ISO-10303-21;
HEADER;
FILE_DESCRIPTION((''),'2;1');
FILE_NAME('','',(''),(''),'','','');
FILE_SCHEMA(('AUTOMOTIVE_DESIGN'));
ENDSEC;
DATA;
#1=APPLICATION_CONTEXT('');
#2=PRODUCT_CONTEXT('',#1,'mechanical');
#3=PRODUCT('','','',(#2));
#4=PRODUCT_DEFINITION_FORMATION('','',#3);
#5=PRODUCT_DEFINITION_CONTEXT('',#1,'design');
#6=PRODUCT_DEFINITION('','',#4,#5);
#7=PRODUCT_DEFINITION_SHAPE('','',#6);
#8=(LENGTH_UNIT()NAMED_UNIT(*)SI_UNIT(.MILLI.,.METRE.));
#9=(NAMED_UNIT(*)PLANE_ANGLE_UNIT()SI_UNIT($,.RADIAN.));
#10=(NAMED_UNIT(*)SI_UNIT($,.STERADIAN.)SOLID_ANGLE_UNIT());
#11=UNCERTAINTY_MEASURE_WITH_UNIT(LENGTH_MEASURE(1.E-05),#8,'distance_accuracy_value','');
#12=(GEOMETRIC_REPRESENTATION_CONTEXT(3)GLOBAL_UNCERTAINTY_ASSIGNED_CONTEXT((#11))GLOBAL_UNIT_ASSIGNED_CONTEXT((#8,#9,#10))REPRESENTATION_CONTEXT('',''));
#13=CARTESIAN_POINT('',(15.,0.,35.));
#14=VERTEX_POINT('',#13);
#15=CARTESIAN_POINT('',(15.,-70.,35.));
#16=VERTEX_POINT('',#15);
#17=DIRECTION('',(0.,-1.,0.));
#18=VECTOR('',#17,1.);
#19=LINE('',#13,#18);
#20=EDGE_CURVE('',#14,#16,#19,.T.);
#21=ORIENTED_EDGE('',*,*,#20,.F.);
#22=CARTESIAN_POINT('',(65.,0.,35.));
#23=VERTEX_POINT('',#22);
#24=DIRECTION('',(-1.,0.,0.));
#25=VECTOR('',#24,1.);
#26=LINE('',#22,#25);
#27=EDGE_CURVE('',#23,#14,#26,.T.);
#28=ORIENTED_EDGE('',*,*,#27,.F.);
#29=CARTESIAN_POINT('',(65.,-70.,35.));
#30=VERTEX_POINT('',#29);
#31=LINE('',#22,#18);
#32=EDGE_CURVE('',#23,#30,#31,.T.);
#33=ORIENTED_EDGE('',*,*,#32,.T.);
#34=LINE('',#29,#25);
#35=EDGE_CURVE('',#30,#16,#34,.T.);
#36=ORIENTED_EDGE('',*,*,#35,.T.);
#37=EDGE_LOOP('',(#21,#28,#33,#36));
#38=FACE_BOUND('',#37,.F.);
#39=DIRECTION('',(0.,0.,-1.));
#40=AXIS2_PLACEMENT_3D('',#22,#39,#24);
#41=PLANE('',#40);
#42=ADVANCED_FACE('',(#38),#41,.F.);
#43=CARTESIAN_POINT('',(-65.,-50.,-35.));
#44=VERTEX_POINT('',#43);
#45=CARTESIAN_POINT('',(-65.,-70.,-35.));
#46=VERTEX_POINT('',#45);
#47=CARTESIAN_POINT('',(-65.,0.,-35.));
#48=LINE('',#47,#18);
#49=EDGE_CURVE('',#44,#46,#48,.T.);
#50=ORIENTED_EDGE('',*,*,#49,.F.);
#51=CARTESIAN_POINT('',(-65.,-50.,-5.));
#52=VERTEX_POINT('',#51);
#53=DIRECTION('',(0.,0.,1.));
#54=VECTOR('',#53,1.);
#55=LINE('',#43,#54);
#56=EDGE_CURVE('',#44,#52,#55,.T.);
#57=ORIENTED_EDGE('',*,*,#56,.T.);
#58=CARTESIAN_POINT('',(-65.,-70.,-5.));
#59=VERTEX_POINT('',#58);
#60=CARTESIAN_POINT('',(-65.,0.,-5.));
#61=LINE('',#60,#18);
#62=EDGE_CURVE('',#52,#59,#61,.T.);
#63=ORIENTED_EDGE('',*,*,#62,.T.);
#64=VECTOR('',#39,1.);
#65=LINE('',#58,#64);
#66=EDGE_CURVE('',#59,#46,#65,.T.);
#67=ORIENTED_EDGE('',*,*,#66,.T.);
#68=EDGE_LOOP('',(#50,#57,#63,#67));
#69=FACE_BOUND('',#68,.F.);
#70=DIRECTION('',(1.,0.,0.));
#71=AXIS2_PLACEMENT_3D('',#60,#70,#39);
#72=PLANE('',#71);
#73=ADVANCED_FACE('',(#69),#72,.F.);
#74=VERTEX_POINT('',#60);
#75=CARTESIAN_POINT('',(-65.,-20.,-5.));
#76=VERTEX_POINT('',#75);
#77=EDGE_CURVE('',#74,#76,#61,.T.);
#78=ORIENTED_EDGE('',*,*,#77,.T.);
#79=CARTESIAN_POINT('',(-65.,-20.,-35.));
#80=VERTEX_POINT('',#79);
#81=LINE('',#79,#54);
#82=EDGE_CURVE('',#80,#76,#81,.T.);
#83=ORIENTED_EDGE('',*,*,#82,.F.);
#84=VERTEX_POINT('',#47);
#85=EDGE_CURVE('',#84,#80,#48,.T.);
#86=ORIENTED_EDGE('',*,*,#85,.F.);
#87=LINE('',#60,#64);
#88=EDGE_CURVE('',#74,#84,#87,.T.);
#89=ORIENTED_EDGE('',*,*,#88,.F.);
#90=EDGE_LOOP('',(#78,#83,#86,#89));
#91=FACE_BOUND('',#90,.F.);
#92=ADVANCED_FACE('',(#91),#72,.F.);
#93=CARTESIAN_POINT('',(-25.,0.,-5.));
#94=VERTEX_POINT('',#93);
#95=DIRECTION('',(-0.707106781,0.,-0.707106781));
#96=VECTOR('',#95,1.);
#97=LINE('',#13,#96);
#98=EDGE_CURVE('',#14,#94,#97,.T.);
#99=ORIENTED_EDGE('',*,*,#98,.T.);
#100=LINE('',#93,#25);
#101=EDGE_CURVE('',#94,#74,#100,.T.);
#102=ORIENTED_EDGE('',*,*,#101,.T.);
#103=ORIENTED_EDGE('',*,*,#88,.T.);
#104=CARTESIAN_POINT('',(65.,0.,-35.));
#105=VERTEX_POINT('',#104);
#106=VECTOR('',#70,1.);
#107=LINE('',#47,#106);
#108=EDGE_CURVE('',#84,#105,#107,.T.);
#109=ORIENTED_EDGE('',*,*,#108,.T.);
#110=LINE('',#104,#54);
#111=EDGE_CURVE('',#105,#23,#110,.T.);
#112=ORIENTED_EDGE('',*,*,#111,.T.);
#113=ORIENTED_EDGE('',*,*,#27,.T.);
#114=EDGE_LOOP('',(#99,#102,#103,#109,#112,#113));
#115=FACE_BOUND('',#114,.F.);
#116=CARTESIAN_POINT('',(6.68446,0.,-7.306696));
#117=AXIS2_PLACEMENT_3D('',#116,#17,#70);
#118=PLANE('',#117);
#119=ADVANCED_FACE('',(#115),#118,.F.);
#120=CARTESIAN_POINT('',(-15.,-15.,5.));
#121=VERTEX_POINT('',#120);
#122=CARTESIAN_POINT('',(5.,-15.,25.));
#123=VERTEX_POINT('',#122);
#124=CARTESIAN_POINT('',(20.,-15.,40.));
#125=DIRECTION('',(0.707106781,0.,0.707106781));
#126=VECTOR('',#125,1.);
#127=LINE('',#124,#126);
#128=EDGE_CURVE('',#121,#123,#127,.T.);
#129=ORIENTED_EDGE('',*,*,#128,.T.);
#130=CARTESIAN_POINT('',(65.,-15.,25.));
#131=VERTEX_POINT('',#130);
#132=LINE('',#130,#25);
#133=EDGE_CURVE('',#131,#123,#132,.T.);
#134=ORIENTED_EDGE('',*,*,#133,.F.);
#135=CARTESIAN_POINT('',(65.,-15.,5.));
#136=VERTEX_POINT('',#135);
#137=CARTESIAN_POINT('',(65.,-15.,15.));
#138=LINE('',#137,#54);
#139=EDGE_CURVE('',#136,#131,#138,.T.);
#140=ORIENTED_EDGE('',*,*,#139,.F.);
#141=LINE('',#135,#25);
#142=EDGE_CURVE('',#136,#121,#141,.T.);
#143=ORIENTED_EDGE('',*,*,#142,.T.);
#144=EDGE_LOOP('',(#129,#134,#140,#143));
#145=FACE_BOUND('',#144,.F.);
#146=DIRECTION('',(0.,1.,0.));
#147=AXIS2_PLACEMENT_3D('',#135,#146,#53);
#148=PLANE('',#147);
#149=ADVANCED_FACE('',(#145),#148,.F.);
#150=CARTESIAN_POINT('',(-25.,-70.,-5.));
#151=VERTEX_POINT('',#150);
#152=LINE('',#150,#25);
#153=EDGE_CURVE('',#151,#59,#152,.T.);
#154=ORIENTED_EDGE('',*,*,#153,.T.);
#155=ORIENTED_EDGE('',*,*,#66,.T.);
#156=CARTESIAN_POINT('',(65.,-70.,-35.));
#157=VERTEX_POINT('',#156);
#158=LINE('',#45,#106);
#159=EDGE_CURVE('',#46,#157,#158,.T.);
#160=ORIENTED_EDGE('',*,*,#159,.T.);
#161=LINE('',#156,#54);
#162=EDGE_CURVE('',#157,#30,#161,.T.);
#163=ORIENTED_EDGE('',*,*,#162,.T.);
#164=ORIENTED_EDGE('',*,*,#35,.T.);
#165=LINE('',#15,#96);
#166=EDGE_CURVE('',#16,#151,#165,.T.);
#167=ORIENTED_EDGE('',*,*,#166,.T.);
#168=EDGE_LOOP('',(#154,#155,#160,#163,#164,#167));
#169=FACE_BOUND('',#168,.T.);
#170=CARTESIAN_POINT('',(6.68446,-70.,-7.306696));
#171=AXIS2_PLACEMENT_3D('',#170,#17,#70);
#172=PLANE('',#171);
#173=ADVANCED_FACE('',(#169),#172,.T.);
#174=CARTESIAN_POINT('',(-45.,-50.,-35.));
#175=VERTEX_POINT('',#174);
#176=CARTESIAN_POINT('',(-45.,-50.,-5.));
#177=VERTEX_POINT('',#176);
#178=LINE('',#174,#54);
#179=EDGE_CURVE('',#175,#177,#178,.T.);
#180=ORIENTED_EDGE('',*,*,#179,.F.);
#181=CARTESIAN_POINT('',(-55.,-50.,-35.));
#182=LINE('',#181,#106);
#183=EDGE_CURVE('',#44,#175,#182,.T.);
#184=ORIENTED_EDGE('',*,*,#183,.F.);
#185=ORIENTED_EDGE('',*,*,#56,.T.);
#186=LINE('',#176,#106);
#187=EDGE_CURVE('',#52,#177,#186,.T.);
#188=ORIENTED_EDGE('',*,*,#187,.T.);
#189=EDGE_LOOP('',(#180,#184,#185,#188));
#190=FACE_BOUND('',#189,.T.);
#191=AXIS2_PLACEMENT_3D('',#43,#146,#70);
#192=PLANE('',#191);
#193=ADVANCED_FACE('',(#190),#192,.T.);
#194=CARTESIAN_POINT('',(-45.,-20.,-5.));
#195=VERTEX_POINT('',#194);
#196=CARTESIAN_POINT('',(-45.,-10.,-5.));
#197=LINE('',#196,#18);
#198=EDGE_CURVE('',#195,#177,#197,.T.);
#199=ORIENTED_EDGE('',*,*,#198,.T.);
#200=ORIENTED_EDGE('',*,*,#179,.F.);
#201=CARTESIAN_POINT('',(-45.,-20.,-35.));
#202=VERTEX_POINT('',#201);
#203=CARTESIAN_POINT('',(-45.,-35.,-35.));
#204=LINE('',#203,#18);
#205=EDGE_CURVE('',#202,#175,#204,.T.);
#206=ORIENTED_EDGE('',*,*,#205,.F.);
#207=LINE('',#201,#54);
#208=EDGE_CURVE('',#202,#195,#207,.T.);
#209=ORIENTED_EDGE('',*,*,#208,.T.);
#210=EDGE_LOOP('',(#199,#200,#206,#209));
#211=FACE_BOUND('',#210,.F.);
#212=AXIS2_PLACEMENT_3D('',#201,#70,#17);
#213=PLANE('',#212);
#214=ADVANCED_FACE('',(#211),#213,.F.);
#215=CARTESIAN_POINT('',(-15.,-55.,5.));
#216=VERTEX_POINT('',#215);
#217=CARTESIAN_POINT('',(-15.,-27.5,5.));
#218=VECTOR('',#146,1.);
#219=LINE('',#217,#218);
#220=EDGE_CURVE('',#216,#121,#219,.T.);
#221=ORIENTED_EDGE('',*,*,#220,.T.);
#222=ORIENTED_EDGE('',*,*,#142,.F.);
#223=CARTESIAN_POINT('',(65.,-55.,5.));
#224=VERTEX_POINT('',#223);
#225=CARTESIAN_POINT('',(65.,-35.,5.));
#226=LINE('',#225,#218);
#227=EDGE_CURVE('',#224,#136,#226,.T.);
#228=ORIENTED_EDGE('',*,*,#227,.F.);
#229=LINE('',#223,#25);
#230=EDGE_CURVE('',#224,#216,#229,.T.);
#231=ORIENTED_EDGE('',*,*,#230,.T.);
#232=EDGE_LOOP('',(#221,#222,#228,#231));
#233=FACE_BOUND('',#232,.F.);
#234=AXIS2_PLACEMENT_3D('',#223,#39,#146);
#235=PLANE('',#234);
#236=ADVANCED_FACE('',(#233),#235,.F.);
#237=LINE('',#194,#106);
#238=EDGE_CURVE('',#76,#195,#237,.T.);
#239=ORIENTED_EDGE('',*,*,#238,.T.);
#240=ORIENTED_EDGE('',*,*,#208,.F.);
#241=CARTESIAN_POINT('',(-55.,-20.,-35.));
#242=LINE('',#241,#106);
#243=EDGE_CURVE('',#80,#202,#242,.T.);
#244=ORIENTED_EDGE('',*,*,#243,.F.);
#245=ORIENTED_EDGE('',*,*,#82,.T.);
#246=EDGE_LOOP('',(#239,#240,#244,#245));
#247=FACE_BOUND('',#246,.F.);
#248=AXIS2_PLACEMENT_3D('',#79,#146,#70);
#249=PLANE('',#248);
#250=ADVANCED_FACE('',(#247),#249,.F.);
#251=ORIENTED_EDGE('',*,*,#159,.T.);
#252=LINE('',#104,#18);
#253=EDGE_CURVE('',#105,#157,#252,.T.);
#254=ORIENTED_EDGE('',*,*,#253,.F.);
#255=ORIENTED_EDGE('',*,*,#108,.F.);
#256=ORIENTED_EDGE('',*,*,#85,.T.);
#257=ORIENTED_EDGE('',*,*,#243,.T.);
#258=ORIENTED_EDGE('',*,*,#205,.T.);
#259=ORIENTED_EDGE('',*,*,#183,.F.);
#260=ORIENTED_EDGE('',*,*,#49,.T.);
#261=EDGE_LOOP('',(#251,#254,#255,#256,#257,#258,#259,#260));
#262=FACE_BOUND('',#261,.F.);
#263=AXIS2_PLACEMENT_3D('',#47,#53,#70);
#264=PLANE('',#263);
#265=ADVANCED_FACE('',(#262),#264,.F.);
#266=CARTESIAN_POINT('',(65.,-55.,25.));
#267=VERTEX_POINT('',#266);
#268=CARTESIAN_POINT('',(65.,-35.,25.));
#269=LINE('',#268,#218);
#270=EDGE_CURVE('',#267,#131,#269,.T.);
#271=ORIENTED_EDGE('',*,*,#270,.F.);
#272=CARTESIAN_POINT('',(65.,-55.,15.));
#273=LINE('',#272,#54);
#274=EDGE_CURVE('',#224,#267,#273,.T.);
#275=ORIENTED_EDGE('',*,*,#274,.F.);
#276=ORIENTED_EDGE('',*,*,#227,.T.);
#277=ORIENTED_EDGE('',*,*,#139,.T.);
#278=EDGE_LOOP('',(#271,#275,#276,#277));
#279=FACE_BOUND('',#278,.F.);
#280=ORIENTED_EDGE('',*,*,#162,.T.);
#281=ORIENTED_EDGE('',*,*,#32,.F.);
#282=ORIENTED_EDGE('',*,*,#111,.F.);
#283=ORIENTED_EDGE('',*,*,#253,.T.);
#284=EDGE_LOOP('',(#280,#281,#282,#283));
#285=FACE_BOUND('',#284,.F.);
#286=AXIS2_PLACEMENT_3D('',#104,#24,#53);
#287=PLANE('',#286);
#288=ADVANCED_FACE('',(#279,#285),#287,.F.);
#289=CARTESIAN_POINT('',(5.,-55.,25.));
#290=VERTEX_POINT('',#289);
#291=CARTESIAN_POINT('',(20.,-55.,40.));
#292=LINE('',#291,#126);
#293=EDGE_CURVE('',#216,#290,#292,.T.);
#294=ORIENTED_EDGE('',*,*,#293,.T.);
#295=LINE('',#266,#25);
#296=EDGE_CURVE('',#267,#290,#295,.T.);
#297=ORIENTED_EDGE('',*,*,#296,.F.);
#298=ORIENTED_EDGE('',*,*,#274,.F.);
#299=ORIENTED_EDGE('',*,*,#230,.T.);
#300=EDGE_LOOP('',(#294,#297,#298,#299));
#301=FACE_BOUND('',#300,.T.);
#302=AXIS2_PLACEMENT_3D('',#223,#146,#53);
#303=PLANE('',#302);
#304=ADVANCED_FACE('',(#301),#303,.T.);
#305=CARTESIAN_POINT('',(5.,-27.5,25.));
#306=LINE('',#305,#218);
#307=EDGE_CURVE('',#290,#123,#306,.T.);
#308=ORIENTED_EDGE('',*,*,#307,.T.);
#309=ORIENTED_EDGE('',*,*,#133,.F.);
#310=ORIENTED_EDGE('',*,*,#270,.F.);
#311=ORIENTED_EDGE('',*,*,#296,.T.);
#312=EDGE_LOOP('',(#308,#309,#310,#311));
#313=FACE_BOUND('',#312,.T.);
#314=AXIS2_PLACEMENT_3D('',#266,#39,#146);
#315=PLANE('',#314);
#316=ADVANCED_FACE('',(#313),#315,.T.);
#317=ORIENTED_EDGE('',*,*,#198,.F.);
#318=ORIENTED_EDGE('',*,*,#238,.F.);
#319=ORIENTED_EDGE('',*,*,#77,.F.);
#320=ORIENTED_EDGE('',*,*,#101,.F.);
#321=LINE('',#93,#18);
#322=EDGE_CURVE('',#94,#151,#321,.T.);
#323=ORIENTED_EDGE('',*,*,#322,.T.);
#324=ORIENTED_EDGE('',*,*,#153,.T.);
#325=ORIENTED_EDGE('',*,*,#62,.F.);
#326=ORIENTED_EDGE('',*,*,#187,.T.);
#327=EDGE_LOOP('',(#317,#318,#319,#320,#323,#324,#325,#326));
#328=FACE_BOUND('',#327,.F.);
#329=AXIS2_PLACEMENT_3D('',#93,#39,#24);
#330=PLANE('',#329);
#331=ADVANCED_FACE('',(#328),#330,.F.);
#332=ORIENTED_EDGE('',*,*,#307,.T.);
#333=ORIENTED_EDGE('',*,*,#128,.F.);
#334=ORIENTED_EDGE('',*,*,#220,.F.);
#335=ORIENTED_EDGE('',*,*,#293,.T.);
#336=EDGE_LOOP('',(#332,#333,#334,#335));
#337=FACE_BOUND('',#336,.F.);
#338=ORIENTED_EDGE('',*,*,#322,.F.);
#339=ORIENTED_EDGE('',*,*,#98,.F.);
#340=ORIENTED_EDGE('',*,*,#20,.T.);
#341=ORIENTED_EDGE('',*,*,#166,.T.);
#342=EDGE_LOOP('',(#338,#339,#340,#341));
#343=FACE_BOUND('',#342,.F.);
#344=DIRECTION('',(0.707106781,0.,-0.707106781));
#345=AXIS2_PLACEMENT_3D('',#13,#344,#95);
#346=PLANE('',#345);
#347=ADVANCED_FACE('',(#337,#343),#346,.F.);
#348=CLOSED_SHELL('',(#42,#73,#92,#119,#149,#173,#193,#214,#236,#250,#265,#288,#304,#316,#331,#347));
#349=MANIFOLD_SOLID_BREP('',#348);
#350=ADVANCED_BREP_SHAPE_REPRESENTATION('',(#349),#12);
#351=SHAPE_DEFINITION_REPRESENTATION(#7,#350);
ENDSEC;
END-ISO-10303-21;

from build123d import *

# Parameters (mm, degrees)
F1_DEPTH = 70
F2_W     = 20
F2_H     = 30
F3_DEPTH = 70.001
F4_W     = 40
F4_H     = 20
F5_DEPTH = 130.001


with BuildPart() as f1:
    # F0 (on Front) → F1 (new body)
    with BuildSketch(Plane.XZ):
        Polygon((65, -35), (65, 35), (15, 35), (-25, -5), (-65, -5), (-65, -35), (-25, -35), align=None)
    extrude(amount=F1_DEPTH)

    # F2 (on face) → F3 (cut, through all)
    with BuildSketch(Plane(origin=(0, 0, -35), x_dir=(1, 0, 0), z_dir=(0, 0, -1))):
        with Locations((-55, 35)):
            Rectangle(F2_W, F2_H)
    extrude(amount=-F3_DEPTH, mode=Mode.SUBTRACT)

    # F4 (on face) → F5 (cut, through all)
    with BuildSketch(Plane.YZ.offset(65)):
        with Locations((-35, 15)):
            Rectangle(F4_W, F4_H)
    extrude(amount=-F5_DEPTH, mode=Mode.SUBTRACT)


solid = f1.part
